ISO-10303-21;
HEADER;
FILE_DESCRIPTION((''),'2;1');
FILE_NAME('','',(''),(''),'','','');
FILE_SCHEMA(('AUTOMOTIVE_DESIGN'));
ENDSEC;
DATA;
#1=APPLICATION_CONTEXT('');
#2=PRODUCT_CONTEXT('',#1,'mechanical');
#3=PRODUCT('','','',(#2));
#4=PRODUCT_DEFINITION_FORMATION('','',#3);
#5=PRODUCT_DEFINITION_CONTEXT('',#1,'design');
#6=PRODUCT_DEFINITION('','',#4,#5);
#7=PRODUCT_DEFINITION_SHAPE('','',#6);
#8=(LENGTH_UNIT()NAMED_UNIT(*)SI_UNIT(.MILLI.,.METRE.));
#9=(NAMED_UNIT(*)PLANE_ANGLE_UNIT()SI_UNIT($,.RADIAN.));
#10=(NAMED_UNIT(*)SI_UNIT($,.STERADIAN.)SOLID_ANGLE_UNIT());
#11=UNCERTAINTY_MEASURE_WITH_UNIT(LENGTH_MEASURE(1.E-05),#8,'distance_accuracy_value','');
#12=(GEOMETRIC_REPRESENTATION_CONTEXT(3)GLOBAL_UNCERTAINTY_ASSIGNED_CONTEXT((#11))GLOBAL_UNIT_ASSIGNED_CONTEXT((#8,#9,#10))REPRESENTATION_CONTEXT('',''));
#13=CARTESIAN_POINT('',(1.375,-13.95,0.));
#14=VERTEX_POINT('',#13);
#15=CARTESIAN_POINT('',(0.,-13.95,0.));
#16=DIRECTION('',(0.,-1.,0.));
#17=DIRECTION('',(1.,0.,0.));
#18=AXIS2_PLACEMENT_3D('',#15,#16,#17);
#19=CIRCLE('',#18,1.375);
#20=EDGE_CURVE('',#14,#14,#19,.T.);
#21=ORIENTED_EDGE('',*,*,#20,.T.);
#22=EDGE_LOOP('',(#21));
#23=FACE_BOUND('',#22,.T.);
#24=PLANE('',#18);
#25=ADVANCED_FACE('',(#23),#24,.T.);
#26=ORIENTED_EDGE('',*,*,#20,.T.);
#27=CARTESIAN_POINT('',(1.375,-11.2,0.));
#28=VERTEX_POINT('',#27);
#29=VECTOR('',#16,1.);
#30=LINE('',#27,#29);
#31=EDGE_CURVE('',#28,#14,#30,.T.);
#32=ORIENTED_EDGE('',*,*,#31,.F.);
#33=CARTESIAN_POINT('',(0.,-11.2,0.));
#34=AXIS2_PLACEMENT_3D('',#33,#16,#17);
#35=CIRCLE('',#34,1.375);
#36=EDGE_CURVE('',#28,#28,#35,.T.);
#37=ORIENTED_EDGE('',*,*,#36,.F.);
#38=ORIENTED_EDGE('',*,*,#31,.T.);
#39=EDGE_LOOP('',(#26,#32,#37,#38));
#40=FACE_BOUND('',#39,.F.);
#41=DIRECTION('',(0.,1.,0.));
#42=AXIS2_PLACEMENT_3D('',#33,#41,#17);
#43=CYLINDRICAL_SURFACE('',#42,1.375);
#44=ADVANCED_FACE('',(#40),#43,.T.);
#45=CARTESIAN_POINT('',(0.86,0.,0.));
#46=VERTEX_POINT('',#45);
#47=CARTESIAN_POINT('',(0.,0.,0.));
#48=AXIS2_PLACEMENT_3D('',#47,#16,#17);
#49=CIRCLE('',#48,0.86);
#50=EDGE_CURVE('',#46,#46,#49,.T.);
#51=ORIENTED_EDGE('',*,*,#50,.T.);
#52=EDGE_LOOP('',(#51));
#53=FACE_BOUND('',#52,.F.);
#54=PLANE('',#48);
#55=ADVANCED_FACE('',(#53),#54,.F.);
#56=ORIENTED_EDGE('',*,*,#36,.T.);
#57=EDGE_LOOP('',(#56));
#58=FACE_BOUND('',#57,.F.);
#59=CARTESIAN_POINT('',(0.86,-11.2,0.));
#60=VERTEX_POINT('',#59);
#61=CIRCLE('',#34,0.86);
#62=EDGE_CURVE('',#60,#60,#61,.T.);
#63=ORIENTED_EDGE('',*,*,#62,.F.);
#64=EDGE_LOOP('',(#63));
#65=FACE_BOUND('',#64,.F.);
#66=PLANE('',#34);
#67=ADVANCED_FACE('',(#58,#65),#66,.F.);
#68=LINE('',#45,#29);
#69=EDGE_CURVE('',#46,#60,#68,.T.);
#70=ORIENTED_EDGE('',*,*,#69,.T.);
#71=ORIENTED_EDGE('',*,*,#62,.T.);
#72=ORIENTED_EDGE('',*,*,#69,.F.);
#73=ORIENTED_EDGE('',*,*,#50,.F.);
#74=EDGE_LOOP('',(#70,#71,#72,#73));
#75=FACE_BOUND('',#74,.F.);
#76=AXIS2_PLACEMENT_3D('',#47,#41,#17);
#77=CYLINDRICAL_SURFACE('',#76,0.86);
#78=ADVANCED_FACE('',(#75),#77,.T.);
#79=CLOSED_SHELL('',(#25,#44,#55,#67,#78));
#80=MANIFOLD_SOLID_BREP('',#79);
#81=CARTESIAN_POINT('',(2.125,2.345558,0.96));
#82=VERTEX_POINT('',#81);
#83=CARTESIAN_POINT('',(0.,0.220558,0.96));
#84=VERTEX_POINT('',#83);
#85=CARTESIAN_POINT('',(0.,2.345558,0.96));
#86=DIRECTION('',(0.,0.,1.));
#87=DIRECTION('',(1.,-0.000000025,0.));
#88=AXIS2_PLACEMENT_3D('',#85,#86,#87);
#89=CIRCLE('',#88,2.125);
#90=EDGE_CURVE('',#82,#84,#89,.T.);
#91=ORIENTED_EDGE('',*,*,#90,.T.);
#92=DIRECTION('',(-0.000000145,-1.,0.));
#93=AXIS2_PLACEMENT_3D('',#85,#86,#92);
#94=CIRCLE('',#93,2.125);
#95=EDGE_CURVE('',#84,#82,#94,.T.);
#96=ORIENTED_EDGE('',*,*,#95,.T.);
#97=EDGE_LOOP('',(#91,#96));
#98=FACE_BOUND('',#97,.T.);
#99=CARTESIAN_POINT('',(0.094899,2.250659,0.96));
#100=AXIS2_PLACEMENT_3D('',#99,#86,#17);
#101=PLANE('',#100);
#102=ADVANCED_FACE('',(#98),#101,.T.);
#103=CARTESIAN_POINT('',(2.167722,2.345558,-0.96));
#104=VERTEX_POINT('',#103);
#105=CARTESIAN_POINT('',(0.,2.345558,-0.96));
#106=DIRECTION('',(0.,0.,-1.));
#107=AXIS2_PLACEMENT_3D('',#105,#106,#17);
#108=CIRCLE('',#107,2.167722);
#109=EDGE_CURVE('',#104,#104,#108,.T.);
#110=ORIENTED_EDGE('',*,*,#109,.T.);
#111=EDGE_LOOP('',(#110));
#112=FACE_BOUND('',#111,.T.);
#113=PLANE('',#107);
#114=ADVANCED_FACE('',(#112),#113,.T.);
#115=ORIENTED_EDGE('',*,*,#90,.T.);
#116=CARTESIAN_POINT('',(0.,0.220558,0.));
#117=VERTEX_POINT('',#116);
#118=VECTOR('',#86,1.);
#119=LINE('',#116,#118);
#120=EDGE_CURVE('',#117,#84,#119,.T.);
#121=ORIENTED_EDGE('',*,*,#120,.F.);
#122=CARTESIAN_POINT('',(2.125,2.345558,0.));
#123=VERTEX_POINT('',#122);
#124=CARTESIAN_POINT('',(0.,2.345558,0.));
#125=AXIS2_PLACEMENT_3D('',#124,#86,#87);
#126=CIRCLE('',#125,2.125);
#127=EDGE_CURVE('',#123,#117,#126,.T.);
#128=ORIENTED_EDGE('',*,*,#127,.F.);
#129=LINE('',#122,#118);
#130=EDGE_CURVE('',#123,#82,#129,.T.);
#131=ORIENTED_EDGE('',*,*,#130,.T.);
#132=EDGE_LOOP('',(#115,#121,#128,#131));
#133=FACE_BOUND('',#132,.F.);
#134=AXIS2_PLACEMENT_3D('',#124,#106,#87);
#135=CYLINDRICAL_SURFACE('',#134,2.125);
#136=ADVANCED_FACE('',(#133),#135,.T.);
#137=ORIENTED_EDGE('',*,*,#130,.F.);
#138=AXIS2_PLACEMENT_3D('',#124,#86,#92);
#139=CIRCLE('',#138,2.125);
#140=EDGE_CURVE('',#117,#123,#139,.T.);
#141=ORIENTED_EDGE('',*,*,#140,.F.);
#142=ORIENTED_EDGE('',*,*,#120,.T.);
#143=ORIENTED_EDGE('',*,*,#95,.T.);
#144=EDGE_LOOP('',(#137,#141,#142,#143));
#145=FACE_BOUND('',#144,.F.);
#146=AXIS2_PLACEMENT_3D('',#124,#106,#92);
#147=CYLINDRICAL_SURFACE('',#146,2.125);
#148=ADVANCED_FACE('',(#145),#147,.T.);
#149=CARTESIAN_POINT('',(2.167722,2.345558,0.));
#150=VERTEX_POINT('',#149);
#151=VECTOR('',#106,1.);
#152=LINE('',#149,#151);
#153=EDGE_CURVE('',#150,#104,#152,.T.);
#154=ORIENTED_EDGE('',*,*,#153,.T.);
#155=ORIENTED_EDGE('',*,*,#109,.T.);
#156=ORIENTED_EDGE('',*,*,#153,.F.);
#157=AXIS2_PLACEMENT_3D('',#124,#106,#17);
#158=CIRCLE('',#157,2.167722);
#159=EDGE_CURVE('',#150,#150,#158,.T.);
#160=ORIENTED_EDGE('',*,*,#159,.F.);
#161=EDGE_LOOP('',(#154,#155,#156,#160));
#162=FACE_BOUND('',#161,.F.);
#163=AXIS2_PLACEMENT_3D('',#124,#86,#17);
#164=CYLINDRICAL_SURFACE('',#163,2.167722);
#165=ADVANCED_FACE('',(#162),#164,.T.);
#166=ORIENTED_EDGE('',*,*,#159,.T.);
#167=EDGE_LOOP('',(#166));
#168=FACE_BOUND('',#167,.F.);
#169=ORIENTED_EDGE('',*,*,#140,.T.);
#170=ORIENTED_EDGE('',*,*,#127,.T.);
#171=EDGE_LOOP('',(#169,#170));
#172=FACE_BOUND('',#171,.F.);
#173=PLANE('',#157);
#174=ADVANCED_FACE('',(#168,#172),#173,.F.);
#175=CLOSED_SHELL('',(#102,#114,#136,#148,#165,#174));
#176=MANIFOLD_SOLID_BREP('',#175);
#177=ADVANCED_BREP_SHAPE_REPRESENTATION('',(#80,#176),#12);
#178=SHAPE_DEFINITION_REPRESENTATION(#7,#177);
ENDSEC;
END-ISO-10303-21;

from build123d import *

# Parameters (mm, degrees)
F0_R      = 0.86
F1_DEPTH  = 11.2
F2_R      = 1.375
F2_R_2    = 0.86
F1_FACE_R = 0.86
F3_DEPTH  = 2.75
F5_DEPTH  = 0.96
F6_R      = 2.167722
F7_DEPTH  = 0.96


with BuildPart() as f1:
    # F0 (on Front) → F1 (new body)
    with BuildSketch(Plane.XZ):
        Circle(F0_R)
    extrude(amount=F1_DEPTH)

    # F2 (on face) + F1_face (on face) → F3 (join)
    with BuildSketch(Plane.XZ.offset(11.2)):
        Circle(F2_R)
        Circle(F2_R_2, mode=Mode.SUBTRACT)
        Circle(F2_R_2)
    with BuildSketch(Plane.XZ.offset(11.2)):
        Circle(F1_FACE_R)
    extrude(amount=F3_DEPTH)


with BuildPart() as f5:
    # F4 (on Top) → F5 (new body)
    with BuildSketch(Plane.XY):
        with BuildLine():
            ThreePointArc((0, 0.220558), (1.502602, 0.842956), (2.125, 2.345558))
            ThreePointArc((2.125, 2.345558), (-1.502602, 3.84816), (0, 0.220558))
        make_face()
    extrude(amount=F5_DEPTH)

    # F6 (on face) → F7 (join)
    with BuildSketch(Plane(origin=(0, 0, 0), x_dir=(1, 0, 0), z_dir=(0, 0, -1))):
        with Locations((0, -2.345558)):
            Circle(F6_R)
    extrude(amount=F7_DEPTH)


solid = Compound([f1.part, f5.part])
